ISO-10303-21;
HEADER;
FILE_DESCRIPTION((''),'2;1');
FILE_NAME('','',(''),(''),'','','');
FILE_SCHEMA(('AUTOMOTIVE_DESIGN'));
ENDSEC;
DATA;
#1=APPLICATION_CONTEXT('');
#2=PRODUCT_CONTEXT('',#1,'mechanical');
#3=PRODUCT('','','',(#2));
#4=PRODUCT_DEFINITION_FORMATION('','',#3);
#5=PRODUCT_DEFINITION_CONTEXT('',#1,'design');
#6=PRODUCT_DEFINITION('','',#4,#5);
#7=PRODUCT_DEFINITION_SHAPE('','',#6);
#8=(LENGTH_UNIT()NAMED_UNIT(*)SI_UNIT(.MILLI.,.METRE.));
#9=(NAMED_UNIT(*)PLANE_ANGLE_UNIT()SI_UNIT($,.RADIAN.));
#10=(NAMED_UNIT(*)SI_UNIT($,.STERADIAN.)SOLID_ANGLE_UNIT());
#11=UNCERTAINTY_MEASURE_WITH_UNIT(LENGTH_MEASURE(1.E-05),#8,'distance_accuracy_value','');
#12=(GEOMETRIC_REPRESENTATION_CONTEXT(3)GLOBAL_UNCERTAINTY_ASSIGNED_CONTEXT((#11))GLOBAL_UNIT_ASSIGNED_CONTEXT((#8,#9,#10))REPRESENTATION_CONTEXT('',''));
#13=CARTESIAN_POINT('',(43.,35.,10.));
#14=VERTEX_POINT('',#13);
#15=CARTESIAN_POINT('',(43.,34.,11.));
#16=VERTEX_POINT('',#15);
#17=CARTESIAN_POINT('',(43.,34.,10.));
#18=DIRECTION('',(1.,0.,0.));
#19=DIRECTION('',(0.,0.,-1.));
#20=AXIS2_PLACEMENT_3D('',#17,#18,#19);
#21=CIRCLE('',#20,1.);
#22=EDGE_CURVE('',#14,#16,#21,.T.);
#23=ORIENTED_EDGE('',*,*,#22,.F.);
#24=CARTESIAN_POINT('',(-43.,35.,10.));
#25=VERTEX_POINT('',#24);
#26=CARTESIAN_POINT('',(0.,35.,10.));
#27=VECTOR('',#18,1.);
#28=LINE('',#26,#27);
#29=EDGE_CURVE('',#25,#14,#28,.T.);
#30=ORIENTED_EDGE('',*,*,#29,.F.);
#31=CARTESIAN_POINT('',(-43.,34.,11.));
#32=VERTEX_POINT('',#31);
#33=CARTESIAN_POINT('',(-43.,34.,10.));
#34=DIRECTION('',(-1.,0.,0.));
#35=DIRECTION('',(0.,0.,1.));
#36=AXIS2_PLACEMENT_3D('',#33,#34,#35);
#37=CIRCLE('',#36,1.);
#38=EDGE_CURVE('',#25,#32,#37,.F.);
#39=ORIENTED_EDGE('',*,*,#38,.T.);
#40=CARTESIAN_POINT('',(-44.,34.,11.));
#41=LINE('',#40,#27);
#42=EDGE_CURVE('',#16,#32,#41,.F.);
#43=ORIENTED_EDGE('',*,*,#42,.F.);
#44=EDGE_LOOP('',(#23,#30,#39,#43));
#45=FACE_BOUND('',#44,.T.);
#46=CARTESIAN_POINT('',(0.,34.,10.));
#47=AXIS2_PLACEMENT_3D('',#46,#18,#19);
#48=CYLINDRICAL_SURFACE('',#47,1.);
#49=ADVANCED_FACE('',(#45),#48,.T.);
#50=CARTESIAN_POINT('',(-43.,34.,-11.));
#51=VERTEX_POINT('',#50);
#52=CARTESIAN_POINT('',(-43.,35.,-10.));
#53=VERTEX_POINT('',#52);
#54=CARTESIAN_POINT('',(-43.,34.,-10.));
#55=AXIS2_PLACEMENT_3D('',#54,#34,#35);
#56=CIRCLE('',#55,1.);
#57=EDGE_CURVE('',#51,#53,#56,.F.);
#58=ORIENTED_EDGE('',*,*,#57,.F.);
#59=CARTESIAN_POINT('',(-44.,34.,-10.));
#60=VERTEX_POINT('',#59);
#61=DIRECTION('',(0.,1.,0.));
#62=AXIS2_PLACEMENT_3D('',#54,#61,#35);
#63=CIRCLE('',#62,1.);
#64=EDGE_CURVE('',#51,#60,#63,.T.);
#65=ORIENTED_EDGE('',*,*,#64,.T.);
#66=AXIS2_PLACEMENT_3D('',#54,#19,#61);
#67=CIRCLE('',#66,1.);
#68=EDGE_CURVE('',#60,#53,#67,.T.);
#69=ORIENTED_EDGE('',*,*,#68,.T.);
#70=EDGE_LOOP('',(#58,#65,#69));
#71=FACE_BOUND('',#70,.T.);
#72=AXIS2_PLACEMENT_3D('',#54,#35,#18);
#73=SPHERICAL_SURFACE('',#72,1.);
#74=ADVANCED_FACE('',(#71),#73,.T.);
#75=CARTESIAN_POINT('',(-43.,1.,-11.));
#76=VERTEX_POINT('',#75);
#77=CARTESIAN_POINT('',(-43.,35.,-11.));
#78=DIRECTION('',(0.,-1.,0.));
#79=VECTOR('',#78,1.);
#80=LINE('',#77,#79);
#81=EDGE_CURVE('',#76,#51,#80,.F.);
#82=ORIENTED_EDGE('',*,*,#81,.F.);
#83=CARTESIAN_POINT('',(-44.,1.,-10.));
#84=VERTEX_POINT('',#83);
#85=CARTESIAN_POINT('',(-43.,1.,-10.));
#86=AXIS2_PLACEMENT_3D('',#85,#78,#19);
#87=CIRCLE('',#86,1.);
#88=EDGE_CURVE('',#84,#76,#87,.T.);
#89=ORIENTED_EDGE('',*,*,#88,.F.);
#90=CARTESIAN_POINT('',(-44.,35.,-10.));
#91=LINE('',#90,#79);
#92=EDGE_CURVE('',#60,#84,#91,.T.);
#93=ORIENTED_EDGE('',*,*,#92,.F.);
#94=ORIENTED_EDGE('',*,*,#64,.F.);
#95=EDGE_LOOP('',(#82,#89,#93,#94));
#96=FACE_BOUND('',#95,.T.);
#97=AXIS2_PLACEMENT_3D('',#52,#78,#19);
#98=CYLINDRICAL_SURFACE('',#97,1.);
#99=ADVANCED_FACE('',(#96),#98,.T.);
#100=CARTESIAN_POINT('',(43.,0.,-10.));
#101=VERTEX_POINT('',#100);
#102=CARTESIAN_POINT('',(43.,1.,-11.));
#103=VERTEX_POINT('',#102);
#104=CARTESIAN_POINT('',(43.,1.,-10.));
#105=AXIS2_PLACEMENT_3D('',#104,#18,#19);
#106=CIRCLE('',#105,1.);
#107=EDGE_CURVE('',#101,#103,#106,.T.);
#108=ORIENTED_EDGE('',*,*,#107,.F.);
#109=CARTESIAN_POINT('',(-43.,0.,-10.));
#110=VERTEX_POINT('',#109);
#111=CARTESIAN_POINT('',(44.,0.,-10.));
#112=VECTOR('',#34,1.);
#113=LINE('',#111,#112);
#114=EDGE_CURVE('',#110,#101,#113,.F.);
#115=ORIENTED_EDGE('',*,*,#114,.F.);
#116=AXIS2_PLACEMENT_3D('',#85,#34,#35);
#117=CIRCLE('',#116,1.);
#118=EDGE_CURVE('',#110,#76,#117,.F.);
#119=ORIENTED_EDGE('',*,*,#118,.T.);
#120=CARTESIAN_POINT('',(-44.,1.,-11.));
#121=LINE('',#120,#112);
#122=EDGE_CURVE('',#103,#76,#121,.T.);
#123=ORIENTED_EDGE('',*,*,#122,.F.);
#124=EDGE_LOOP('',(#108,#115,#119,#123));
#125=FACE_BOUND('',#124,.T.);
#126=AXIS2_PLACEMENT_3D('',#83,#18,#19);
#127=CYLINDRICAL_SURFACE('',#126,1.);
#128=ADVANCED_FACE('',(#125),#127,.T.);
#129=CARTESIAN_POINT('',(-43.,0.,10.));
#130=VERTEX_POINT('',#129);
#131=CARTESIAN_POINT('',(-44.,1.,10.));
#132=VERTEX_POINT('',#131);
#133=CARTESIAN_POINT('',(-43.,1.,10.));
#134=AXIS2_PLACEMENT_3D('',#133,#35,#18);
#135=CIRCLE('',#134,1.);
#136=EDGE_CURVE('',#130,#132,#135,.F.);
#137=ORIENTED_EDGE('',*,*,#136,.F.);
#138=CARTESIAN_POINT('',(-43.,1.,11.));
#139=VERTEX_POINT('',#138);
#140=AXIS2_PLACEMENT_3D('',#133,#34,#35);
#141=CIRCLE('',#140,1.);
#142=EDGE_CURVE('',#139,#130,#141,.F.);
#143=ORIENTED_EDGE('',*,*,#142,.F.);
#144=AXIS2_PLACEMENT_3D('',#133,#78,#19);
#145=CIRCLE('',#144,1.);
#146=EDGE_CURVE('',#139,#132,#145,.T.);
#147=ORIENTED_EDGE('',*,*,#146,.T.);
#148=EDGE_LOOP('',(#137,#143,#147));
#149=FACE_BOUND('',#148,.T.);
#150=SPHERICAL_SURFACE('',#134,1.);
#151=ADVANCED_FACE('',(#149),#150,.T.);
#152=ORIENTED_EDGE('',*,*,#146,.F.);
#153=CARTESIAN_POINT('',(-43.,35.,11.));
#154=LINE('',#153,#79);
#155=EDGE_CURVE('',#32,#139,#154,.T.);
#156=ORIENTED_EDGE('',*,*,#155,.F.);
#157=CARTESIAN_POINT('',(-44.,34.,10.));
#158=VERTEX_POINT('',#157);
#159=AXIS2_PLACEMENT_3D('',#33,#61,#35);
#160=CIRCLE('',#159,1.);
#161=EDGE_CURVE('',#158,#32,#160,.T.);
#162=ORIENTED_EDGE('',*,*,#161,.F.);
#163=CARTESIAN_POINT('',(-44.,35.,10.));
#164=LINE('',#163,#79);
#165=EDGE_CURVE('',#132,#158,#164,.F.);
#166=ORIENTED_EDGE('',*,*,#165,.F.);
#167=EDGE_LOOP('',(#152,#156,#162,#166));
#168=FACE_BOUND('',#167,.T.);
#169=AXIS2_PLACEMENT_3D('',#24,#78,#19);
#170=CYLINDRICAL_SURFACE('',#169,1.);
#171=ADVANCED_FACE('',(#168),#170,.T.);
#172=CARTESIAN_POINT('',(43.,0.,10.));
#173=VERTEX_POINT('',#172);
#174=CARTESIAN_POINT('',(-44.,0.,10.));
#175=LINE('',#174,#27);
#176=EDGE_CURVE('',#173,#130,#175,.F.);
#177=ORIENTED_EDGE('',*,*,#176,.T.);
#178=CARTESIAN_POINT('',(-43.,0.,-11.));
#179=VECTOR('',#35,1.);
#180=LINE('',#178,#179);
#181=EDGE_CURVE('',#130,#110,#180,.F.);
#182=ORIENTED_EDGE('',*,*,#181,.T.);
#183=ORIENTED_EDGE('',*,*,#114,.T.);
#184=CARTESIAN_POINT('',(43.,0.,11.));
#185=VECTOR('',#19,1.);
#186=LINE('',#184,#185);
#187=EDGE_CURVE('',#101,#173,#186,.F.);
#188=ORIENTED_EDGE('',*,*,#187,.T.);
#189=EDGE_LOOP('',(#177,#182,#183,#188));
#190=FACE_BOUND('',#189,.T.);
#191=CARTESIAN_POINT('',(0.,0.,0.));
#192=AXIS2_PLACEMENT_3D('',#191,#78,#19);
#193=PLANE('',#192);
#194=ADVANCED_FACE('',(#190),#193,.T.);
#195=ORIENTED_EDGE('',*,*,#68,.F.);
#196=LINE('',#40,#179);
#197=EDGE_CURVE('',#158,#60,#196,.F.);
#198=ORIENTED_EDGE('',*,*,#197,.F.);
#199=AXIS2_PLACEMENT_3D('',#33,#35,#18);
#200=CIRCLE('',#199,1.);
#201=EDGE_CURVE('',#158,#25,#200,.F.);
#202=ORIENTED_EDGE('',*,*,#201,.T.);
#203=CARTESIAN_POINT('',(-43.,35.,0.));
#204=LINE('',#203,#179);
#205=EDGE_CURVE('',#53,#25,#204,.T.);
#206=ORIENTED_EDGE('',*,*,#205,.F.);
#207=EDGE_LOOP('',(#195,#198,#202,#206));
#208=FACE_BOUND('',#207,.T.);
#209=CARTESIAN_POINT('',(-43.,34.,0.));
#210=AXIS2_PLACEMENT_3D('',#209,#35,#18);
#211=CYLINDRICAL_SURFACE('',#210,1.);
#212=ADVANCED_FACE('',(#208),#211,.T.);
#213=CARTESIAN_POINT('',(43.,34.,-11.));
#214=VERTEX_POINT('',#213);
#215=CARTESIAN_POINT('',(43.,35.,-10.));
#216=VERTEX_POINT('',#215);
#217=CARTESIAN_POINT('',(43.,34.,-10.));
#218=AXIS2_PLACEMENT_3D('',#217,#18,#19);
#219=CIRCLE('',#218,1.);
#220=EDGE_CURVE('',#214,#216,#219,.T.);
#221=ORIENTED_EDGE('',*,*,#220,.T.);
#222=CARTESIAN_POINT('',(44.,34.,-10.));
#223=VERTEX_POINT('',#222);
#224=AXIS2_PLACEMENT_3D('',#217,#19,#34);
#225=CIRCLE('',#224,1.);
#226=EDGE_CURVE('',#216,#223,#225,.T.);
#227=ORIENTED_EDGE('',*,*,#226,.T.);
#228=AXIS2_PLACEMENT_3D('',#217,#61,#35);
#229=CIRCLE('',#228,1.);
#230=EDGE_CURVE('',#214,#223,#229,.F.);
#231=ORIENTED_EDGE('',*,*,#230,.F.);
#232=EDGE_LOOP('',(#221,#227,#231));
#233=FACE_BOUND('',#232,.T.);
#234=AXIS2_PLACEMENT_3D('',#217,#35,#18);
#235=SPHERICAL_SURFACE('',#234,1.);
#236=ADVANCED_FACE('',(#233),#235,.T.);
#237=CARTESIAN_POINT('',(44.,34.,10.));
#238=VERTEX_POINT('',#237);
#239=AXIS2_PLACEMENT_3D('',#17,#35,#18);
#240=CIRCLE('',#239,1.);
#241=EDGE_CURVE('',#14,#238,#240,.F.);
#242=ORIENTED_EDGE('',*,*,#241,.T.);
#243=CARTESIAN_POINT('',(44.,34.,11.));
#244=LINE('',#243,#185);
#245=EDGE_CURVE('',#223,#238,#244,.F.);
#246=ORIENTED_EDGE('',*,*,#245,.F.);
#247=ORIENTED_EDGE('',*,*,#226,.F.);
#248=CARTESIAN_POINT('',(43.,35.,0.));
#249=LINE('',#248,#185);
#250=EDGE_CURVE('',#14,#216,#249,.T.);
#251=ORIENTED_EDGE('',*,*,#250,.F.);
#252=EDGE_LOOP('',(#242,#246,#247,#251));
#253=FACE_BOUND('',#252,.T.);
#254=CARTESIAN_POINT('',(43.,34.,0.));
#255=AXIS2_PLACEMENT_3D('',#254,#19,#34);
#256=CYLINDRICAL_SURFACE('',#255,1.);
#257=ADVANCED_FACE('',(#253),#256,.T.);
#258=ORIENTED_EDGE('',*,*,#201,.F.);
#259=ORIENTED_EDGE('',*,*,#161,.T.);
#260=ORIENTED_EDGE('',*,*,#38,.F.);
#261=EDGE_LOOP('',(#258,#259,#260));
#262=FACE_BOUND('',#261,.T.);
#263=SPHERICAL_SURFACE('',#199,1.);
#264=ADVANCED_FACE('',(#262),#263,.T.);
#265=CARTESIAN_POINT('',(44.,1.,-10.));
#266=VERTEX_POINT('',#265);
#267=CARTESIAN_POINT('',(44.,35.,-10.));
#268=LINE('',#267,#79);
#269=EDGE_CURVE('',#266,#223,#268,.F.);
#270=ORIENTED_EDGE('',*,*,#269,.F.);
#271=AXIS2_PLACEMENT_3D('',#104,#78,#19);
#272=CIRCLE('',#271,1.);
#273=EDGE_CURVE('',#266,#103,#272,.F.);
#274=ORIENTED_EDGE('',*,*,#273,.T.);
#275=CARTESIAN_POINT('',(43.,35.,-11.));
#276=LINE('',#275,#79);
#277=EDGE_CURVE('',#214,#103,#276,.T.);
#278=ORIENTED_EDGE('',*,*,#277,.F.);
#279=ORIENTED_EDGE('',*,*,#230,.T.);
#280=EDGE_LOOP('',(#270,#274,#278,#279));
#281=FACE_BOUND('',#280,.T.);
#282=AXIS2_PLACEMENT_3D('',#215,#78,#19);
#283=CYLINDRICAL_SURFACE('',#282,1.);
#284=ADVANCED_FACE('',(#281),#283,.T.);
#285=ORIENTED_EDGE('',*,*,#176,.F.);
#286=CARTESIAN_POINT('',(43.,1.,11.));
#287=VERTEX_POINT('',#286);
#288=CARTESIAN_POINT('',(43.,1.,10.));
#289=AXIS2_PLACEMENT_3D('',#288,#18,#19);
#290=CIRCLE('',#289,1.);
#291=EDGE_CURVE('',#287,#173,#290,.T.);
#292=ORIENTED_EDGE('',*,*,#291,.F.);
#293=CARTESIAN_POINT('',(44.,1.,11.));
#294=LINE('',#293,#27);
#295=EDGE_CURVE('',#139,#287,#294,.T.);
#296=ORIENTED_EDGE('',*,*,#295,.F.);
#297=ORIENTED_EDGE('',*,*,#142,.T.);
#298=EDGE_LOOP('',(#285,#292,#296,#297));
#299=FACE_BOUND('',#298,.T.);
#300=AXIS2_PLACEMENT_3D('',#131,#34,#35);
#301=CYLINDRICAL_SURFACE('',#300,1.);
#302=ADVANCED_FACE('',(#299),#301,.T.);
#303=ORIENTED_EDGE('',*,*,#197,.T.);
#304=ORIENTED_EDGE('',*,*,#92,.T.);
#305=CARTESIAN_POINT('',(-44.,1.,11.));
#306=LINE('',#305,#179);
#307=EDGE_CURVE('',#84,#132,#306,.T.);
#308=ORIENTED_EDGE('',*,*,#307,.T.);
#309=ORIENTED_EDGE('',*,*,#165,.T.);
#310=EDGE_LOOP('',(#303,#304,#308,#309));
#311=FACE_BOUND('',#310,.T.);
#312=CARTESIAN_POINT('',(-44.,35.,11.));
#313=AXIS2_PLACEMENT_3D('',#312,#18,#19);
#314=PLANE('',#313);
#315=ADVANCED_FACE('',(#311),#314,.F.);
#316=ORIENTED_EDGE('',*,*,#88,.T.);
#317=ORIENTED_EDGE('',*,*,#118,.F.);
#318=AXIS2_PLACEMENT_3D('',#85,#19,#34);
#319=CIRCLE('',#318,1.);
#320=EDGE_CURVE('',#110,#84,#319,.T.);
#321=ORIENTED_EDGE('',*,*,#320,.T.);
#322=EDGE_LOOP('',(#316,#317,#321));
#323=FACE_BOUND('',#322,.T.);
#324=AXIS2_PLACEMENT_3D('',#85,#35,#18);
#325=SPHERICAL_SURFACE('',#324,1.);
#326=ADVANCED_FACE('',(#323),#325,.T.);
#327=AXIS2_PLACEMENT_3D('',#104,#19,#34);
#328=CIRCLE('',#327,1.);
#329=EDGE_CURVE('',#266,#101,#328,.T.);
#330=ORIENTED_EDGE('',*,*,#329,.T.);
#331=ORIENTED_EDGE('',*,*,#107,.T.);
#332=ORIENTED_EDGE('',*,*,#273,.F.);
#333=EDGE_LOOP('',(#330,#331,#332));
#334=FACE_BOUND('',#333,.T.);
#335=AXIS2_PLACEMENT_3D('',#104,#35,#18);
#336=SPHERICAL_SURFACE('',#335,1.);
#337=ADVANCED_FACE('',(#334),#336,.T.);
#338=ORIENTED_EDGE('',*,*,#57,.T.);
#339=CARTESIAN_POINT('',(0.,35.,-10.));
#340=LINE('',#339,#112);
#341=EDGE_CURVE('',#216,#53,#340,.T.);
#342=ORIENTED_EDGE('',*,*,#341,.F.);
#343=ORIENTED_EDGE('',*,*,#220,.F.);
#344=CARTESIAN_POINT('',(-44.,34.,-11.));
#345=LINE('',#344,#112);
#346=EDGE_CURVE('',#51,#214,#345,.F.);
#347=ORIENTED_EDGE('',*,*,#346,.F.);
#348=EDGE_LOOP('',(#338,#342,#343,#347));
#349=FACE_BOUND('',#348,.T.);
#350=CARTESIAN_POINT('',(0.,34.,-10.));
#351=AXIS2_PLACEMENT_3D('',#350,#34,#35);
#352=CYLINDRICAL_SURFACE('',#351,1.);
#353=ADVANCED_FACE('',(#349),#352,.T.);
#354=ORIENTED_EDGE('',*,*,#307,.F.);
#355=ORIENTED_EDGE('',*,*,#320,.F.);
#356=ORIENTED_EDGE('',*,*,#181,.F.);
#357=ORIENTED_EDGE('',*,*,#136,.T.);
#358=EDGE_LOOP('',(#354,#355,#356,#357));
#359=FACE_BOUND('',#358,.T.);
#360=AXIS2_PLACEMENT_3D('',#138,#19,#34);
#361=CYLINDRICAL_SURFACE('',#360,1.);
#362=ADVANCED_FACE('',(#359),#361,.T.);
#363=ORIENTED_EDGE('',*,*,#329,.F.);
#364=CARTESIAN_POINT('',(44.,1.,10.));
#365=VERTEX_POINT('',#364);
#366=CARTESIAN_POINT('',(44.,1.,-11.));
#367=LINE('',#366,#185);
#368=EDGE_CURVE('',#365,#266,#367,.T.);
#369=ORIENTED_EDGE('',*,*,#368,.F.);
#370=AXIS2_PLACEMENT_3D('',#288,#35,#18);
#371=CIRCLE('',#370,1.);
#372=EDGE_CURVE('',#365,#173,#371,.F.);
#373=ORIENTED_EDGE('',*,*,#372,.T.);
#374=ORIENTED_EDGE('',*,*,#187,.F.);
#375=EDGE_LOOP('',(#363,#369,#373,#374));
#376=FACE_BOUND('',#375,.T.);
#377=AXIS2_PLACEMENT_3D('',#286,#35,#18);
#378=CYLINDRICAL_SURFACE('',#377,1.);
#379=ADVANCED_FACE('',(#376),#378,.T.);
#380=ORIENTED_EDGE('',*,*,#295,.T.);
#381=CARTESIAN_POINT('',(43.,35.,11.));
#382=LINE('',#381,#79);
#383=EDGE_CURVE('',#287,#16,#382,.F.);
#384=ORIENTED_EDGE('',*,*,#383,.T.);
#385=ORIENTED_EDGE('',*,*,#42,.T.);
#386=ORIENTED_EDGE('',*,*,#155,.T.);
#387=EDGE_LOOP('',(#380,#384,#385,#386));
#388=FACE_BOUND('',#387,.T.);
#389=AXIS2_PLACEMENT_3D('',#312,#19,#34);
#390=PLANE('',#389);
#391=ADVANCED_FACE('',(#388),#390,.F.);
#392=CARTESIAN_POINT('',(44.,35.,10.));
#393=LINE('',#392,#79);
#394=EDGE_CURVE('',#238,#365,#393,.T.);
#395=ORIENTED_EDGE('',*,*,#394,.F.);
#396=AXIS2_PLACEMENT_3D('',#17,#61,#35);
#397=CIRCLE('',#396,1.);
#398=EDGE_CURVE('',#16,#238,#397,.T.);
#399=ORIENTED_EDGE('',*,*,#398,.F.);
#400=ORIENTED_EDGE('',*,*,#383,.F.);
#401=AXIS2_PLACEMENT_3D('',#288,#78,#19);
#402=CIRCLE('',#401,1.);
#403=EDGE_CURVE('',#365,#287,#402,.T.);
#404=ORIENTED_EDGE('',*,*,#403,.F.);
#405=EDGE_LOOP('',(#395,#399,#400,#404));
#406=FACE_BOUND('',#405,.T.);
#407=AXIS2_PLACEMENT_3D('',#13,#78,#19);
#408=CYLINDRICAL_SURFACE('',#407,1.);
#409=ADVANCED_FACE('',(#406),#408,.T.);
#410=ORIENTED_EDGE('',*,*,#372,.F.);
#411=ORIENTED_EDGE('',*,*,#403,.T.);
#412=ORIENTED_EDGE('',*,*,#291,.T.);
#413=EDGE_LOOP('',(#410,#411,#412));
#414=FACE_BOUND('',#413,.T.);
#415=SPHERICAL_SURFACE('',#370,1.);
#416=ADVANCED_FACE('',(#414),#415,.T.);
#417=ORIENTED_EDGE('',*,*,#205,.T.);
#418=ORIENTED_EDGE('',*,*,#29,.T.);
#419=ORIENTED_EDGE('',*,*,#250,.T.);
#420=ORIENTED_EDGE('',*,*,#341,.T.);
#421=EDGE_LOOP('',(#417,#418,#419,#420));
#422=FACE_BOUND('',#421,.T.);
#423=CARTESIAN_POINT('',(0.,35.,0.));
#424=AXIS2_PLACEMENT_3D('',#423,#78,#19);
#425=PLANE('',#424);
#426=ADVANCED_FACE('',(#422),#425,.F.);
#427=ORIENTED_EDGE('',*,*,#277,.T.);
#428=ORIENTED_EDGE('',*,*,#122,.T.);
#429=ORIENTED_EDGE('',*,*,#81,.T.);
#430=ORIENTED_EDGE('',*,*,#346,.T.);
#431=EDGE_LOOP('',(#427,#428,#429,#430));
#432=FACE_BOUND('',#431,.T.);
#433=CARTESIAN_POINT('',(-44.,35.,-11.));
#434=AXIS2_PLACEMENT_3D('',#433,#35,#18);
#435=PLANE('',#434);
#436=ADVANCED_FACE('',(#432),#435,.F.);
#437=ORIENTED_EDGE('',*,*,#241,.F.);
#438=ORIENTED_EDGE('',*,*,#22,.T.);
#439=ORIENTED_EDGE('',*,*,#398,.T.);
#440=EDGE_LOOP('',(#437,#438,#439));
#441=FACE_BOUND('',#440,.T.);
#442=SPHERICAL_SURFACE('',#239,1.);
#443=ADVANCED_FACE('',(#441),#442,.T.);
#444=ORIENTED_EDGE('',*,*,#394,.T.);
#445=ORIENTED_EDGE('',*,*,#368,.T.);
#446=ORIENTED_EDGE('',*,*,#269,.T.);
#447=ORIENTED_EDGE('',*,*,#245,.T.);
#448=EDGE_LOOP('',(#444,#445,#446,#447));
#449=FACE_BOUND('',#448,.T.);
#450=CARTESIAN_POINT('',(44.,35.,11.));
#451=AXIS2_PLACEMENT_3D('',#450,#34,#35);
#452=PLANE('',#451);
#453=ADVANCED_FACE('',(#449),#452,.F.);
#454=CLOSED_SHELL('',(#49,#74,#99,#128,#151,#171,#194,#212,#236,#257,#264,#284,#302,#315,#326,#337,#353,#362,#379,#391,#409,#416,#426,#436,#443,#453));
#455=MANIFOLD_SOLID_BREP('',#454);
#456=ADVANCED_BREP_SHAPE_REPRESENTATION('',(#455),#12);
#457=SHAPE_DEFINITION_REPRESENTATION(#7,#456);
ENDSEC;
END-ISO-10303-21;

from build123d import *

# Parameters (mm, degrees)
SKETCH1_W           = 88
SKETCH1_H           = 22
BOSS_EXTRUDE1_DEPTH = 35
FILLET1_R           = 1


with BuildPart() as part:
    # Sketch1 → Boss-Extrude1 (new body)
    with BuildSketch(Plane(origin=(0, 0, 0), x_dir=(1, 0, 0), z_dir=(0, 1, 0))):
        Rectangle(SKETCH1_W, SKETCH1_H)
    extrude(amount=BOSS_EXTRUDE1_DEPTH)

    # Fillet1
    fillet1_edges = [part.edges().sort_by_distance(p)[0] for p in [
        (-44, 35, 0),
        (0, 35, 11),
        (44, 35, 0),
        (0, 0, 11),
        (-44, 0, 0),
        (0, 0, -11),
        (44, 0, 0),
        (0, 35, -11),
        (44, 17.5, 11),
        (-44, 17.5, 11),
        (-44, 17.5, -11),
        (44, 17.5, -11),
    ]]
    fillet(fillet1_edges, radius=FILLET1_R)


solid = part.part
